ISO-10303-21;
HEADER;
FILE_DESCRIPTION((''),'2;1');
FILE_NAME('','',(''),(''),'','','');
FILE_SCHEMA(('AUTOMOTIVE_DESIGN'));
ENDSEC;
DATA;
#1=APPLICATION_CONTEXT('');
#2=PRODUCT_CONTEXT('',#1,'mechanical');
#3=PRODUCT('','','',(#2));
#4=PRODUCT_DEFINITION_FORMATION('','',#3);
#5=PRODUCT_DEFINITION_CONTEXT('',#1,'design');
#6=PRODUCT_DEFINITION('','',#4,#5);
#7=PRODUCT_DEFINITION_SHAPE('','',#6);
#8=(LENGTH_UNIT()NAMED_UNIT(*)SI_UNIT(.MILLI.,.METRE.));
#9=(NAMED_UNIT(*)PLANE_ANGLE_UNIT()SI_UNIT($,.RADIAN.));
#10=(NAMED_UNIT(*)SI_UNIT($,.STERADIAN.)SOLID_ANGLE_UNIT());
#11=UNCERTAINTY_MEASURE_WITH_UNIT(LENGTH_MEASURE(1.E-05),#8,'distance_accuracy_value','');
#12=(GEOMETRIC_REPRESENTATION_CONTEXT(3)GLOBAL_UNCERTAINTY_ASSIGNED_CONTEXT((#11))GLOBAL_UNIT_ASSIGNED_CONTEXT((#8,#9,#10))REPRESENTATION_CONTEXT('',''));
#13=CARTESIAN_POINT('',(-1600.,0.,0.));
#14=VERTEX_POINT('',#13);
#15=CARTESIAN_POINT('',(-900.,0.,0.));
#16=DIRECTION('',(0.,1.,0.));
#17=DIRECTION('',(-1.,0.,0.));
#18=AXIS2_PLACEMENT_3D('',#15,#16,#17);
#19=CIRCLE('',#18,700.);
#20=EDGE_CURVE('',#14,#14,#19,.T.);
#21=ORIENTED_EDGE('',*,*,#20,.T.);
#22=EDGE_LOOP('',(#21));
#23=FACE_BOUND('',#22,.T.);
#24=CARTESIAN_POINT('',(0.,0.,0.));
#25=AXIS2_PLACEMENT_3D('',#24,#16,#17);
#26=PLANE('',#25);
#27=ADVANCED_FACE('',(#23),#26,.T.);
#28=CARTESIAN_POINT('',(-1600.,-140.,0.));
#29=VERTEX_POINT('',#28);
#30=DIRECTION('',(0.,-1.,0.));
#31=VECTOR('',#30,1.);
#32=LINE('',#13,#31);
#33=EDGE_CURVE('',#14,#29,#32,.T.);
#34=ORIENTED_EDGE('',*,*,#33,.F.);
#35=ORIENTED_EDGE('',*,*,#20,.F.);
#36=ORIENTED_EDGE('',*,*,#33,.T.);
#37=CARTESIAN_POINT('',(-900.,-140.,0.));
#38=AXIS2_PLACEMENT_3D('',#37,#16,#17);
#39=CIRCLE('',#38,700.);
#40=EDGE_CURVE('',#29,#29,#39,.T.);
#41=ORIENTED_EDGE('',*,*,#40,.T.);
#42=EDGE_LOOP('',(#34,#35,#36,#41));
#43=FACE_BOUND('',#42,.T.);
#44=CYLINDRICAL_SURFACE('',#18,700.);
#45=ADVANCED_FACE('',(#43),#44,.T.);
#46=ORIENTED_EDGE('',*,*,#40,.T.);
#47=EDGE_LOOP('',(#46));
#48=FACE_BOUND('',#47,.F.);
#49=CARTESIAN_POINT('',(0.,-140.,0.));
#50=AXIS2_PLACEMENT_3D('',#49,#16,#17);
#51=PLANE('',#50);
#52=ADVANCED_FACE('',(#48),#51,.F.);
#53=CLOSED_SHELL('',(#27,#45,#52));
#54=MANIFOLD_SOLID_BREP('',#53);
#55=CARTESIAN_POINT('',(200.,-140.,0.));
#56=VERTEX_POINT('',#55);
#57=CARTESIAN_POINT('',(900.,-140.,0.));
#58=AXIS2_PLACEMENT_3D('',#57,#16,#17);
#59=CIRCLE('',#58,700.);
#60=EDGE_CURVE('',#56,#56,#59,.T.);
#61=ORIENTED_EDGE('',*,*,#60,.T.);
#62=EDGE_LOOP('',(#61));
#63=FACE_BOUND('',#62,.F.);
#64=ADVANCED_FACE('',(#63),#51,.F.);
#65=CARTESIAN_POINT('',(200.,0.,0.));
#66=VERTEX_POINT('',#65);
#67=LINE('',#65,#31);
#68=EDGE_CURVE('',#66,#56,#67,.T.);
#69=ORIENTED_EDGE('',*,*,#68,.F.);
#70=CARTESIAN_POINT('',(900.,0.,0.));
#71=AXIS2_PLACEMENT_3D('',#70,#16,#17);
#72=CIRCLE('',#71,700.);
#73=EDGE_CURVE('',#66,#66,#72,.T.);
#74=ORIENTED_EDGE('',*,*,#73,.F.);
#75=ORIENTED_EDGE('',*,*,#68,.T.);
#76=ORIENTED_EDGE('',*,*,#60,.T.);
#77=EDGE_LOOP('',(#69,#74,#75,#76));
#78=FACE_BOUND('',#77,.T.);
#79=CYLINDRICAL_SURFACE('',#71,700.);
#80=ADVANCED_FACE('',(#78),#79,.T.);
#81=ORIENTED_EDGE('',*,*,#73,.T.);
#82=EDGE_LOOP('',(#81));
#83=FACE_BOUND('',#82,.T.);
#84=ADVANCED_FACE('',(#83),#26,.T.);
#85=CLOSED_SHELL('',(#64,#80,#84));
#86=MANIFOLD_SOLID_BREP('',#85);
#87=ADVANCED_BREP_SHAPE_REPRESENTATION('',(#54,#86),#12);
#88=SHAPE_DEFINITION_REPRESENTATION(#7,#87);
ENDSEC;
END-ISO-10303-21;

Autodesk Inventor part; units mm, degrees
ref_plane "YZ Plane" through (0, 0, 0) normal (1, 0, 0) x (0, 1, 0)
ref_plane "XZ Plane" through (0, 0, 0) normal (0, 1, 0) x (-1, 0, 0)
ref_plane "XY Plane" through (0, 0, 0) normal (0, 0, 1) x (1, 0, 0)
sketch "Sketch1" plane through (0, 0, 0) normal (0, 1, 0) x (-1, 0, 0)
  circle A0 centre (-900, 0) radius 700
  circle A1 centre (900, 0) radius 700
  line L0 (0, 0) -> (0, 700) construction
  line L1 (-200, 0) -> (-200, 700) construction
  line L2 (200, 0) -> (200, 700) construction
  line L3 (-900, 0) -> (-900, 700) construction
  line L4 (1600, 0) -> (-1600, 0) construction
  dimension "d0" = 400
  dimension "d1" = 1400
  dimension "d5" = 3200
extrude "Extrusion1" add sketch "Sketch1" against normal blind 140
properties part number "foundation dummy"
